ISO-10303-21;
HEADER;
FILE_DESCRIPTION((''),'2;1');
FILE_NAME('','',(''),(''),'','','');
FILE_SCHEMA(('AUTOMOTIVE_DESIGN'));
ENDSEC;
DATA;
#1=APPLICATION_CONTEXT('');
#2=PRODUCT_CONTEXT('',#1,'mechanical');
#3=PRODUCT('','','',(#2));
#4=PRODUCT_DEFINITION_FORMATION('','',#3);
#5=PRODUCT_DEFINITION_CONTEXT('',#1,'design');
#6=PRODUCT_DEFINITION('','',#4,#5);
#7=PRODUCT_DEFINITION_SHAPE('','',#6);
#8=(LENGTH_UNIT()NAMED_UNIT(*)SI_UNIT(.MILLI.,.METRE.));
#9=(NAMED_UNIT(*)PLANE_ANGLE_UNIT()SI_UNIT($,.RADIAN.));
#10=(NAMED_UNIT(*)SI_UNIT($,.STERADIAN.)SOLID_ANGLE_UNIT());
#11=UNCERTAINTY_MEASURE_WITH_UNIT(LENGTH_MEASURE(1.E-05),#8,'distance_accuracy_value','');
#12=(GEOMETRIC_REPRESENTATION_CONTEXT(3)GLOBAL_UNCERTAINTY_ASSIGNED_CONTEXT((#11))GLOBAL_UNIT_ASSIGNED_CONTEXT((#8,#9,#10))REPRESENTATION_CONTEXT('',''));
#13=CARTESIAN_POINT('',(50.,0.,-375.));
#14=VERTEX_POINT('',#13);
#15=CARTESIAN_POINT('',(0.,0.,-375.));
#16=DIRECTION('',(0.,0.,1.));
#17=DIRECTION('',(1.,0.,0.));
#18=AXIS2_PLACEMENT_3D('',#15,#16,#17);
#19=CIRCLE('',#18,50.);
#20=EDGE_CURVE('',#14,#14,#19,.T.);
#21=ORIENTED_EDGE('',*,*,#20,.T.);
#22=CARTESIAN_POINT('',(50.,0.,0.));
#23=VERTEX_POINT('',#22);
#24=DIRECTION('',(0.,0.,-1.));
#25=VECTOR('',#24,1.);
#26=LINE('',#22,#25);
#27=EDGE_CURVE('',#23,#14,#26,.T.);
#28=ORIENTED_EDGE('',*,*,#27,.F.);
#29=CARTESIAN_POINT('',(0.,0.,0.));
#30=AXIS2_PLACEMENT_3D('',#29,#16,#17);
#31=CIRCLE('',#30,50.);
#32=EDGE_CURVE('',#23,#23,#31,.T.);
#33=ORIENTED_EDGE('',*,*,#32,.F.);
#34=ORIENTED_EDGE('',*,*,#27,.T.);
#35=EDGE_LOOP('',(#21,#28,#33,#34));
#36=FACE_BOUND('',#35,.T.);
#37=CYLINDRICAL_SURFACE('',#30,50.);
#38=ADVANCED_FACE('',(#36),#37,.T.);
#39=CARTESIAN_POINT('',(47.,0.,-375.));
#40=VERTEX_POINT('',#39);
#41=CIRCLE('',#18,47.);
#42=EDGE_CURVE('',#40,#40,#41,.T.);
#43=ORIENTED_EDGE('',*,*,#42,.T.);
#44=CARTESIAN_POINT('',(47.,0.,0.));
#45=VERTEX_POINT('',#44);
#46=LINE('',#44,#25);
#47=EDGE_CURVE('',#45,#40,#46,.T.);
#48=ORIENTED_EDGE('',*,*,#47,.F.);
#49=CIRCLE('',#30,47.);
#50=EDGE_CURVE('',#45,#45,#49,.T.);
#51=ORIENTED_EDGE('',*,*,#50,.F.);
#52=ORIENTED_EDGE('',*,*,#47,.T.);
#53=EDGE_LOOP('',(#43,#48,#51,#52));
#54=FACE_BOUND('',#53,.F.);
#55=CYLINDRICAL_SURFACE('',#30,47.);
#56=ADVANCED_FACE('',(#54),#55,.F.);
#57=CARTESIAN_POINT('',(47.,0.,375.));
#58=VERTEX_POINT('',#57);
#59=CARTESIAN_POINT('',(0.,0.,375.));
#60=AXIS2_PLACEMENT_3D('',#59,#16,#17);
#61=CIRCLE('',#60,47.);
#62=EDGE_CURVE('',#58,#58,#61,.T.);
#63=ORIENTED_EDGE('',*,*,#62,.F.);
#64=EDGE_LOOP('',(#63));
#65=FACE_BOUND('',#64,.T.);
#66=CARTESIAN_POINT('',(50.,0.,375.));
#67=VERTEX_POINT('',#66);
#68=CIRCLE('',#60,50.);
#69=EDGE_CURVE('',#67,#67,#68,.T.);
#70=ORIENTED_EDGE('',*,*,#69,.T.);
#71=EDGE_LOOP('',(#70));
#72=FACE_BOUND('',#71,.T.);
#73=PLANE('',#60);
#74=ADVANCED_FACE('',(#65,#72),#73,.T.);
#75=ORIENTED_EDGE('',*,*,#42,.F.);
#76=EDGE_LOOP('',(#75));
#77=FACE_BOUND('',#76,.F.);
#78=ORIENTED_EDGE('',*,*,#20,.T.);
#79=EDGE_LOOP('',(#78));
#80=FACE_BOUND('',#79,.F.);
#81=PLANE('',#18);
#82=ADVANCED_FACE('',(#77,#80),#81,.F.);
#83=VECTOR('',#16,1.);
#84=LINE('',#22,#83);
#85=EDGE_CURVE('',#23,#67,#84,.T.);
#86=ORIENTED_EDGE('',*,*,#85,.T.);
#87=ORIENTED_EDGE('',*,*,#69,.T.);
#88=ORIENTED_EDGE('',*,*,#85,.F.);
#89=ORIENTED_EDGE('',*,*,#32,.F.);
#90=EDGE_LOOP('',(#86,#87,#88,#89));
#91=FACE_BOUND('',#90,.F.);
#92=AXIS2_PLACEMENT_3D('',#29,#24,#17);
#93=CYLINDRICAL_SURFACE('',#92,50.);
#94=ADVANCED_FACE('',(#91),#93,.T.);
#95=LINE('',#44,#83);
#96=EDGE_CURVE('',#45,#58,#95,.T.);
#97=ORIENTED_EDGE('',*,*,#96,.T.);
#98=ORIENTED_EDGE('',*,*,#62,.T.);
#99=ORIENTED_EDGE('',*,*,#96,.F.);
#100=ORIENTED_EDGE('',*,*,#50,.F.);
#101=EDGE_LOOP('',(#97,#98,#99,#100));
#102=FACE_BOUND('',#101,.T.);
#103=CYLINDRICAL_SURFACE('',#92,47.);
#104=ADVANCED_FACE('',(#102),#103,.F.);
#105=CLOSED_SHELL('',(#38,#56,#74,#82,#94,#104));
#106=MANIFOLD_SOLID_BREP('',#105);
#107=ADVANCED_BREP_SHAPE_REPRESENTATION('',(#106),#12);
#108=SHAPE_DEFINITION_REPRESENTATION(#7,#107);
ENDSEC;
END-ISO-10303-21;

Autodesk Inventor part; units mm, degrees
sketch "Sketch2" plane through (0, 0, 0) normal (0, 0, 1) x (1, 0, 0)
  circle A0 centre (0, 0) radius 50
  circle A1 centre (0, 0) radius 47
  dimension "d5" = 100
  dimension "d6" = 3
extrude "Extrusion2" add sketch "Sketch2" along normal mid plane 750
properties part number "pernas_0001_00001"
